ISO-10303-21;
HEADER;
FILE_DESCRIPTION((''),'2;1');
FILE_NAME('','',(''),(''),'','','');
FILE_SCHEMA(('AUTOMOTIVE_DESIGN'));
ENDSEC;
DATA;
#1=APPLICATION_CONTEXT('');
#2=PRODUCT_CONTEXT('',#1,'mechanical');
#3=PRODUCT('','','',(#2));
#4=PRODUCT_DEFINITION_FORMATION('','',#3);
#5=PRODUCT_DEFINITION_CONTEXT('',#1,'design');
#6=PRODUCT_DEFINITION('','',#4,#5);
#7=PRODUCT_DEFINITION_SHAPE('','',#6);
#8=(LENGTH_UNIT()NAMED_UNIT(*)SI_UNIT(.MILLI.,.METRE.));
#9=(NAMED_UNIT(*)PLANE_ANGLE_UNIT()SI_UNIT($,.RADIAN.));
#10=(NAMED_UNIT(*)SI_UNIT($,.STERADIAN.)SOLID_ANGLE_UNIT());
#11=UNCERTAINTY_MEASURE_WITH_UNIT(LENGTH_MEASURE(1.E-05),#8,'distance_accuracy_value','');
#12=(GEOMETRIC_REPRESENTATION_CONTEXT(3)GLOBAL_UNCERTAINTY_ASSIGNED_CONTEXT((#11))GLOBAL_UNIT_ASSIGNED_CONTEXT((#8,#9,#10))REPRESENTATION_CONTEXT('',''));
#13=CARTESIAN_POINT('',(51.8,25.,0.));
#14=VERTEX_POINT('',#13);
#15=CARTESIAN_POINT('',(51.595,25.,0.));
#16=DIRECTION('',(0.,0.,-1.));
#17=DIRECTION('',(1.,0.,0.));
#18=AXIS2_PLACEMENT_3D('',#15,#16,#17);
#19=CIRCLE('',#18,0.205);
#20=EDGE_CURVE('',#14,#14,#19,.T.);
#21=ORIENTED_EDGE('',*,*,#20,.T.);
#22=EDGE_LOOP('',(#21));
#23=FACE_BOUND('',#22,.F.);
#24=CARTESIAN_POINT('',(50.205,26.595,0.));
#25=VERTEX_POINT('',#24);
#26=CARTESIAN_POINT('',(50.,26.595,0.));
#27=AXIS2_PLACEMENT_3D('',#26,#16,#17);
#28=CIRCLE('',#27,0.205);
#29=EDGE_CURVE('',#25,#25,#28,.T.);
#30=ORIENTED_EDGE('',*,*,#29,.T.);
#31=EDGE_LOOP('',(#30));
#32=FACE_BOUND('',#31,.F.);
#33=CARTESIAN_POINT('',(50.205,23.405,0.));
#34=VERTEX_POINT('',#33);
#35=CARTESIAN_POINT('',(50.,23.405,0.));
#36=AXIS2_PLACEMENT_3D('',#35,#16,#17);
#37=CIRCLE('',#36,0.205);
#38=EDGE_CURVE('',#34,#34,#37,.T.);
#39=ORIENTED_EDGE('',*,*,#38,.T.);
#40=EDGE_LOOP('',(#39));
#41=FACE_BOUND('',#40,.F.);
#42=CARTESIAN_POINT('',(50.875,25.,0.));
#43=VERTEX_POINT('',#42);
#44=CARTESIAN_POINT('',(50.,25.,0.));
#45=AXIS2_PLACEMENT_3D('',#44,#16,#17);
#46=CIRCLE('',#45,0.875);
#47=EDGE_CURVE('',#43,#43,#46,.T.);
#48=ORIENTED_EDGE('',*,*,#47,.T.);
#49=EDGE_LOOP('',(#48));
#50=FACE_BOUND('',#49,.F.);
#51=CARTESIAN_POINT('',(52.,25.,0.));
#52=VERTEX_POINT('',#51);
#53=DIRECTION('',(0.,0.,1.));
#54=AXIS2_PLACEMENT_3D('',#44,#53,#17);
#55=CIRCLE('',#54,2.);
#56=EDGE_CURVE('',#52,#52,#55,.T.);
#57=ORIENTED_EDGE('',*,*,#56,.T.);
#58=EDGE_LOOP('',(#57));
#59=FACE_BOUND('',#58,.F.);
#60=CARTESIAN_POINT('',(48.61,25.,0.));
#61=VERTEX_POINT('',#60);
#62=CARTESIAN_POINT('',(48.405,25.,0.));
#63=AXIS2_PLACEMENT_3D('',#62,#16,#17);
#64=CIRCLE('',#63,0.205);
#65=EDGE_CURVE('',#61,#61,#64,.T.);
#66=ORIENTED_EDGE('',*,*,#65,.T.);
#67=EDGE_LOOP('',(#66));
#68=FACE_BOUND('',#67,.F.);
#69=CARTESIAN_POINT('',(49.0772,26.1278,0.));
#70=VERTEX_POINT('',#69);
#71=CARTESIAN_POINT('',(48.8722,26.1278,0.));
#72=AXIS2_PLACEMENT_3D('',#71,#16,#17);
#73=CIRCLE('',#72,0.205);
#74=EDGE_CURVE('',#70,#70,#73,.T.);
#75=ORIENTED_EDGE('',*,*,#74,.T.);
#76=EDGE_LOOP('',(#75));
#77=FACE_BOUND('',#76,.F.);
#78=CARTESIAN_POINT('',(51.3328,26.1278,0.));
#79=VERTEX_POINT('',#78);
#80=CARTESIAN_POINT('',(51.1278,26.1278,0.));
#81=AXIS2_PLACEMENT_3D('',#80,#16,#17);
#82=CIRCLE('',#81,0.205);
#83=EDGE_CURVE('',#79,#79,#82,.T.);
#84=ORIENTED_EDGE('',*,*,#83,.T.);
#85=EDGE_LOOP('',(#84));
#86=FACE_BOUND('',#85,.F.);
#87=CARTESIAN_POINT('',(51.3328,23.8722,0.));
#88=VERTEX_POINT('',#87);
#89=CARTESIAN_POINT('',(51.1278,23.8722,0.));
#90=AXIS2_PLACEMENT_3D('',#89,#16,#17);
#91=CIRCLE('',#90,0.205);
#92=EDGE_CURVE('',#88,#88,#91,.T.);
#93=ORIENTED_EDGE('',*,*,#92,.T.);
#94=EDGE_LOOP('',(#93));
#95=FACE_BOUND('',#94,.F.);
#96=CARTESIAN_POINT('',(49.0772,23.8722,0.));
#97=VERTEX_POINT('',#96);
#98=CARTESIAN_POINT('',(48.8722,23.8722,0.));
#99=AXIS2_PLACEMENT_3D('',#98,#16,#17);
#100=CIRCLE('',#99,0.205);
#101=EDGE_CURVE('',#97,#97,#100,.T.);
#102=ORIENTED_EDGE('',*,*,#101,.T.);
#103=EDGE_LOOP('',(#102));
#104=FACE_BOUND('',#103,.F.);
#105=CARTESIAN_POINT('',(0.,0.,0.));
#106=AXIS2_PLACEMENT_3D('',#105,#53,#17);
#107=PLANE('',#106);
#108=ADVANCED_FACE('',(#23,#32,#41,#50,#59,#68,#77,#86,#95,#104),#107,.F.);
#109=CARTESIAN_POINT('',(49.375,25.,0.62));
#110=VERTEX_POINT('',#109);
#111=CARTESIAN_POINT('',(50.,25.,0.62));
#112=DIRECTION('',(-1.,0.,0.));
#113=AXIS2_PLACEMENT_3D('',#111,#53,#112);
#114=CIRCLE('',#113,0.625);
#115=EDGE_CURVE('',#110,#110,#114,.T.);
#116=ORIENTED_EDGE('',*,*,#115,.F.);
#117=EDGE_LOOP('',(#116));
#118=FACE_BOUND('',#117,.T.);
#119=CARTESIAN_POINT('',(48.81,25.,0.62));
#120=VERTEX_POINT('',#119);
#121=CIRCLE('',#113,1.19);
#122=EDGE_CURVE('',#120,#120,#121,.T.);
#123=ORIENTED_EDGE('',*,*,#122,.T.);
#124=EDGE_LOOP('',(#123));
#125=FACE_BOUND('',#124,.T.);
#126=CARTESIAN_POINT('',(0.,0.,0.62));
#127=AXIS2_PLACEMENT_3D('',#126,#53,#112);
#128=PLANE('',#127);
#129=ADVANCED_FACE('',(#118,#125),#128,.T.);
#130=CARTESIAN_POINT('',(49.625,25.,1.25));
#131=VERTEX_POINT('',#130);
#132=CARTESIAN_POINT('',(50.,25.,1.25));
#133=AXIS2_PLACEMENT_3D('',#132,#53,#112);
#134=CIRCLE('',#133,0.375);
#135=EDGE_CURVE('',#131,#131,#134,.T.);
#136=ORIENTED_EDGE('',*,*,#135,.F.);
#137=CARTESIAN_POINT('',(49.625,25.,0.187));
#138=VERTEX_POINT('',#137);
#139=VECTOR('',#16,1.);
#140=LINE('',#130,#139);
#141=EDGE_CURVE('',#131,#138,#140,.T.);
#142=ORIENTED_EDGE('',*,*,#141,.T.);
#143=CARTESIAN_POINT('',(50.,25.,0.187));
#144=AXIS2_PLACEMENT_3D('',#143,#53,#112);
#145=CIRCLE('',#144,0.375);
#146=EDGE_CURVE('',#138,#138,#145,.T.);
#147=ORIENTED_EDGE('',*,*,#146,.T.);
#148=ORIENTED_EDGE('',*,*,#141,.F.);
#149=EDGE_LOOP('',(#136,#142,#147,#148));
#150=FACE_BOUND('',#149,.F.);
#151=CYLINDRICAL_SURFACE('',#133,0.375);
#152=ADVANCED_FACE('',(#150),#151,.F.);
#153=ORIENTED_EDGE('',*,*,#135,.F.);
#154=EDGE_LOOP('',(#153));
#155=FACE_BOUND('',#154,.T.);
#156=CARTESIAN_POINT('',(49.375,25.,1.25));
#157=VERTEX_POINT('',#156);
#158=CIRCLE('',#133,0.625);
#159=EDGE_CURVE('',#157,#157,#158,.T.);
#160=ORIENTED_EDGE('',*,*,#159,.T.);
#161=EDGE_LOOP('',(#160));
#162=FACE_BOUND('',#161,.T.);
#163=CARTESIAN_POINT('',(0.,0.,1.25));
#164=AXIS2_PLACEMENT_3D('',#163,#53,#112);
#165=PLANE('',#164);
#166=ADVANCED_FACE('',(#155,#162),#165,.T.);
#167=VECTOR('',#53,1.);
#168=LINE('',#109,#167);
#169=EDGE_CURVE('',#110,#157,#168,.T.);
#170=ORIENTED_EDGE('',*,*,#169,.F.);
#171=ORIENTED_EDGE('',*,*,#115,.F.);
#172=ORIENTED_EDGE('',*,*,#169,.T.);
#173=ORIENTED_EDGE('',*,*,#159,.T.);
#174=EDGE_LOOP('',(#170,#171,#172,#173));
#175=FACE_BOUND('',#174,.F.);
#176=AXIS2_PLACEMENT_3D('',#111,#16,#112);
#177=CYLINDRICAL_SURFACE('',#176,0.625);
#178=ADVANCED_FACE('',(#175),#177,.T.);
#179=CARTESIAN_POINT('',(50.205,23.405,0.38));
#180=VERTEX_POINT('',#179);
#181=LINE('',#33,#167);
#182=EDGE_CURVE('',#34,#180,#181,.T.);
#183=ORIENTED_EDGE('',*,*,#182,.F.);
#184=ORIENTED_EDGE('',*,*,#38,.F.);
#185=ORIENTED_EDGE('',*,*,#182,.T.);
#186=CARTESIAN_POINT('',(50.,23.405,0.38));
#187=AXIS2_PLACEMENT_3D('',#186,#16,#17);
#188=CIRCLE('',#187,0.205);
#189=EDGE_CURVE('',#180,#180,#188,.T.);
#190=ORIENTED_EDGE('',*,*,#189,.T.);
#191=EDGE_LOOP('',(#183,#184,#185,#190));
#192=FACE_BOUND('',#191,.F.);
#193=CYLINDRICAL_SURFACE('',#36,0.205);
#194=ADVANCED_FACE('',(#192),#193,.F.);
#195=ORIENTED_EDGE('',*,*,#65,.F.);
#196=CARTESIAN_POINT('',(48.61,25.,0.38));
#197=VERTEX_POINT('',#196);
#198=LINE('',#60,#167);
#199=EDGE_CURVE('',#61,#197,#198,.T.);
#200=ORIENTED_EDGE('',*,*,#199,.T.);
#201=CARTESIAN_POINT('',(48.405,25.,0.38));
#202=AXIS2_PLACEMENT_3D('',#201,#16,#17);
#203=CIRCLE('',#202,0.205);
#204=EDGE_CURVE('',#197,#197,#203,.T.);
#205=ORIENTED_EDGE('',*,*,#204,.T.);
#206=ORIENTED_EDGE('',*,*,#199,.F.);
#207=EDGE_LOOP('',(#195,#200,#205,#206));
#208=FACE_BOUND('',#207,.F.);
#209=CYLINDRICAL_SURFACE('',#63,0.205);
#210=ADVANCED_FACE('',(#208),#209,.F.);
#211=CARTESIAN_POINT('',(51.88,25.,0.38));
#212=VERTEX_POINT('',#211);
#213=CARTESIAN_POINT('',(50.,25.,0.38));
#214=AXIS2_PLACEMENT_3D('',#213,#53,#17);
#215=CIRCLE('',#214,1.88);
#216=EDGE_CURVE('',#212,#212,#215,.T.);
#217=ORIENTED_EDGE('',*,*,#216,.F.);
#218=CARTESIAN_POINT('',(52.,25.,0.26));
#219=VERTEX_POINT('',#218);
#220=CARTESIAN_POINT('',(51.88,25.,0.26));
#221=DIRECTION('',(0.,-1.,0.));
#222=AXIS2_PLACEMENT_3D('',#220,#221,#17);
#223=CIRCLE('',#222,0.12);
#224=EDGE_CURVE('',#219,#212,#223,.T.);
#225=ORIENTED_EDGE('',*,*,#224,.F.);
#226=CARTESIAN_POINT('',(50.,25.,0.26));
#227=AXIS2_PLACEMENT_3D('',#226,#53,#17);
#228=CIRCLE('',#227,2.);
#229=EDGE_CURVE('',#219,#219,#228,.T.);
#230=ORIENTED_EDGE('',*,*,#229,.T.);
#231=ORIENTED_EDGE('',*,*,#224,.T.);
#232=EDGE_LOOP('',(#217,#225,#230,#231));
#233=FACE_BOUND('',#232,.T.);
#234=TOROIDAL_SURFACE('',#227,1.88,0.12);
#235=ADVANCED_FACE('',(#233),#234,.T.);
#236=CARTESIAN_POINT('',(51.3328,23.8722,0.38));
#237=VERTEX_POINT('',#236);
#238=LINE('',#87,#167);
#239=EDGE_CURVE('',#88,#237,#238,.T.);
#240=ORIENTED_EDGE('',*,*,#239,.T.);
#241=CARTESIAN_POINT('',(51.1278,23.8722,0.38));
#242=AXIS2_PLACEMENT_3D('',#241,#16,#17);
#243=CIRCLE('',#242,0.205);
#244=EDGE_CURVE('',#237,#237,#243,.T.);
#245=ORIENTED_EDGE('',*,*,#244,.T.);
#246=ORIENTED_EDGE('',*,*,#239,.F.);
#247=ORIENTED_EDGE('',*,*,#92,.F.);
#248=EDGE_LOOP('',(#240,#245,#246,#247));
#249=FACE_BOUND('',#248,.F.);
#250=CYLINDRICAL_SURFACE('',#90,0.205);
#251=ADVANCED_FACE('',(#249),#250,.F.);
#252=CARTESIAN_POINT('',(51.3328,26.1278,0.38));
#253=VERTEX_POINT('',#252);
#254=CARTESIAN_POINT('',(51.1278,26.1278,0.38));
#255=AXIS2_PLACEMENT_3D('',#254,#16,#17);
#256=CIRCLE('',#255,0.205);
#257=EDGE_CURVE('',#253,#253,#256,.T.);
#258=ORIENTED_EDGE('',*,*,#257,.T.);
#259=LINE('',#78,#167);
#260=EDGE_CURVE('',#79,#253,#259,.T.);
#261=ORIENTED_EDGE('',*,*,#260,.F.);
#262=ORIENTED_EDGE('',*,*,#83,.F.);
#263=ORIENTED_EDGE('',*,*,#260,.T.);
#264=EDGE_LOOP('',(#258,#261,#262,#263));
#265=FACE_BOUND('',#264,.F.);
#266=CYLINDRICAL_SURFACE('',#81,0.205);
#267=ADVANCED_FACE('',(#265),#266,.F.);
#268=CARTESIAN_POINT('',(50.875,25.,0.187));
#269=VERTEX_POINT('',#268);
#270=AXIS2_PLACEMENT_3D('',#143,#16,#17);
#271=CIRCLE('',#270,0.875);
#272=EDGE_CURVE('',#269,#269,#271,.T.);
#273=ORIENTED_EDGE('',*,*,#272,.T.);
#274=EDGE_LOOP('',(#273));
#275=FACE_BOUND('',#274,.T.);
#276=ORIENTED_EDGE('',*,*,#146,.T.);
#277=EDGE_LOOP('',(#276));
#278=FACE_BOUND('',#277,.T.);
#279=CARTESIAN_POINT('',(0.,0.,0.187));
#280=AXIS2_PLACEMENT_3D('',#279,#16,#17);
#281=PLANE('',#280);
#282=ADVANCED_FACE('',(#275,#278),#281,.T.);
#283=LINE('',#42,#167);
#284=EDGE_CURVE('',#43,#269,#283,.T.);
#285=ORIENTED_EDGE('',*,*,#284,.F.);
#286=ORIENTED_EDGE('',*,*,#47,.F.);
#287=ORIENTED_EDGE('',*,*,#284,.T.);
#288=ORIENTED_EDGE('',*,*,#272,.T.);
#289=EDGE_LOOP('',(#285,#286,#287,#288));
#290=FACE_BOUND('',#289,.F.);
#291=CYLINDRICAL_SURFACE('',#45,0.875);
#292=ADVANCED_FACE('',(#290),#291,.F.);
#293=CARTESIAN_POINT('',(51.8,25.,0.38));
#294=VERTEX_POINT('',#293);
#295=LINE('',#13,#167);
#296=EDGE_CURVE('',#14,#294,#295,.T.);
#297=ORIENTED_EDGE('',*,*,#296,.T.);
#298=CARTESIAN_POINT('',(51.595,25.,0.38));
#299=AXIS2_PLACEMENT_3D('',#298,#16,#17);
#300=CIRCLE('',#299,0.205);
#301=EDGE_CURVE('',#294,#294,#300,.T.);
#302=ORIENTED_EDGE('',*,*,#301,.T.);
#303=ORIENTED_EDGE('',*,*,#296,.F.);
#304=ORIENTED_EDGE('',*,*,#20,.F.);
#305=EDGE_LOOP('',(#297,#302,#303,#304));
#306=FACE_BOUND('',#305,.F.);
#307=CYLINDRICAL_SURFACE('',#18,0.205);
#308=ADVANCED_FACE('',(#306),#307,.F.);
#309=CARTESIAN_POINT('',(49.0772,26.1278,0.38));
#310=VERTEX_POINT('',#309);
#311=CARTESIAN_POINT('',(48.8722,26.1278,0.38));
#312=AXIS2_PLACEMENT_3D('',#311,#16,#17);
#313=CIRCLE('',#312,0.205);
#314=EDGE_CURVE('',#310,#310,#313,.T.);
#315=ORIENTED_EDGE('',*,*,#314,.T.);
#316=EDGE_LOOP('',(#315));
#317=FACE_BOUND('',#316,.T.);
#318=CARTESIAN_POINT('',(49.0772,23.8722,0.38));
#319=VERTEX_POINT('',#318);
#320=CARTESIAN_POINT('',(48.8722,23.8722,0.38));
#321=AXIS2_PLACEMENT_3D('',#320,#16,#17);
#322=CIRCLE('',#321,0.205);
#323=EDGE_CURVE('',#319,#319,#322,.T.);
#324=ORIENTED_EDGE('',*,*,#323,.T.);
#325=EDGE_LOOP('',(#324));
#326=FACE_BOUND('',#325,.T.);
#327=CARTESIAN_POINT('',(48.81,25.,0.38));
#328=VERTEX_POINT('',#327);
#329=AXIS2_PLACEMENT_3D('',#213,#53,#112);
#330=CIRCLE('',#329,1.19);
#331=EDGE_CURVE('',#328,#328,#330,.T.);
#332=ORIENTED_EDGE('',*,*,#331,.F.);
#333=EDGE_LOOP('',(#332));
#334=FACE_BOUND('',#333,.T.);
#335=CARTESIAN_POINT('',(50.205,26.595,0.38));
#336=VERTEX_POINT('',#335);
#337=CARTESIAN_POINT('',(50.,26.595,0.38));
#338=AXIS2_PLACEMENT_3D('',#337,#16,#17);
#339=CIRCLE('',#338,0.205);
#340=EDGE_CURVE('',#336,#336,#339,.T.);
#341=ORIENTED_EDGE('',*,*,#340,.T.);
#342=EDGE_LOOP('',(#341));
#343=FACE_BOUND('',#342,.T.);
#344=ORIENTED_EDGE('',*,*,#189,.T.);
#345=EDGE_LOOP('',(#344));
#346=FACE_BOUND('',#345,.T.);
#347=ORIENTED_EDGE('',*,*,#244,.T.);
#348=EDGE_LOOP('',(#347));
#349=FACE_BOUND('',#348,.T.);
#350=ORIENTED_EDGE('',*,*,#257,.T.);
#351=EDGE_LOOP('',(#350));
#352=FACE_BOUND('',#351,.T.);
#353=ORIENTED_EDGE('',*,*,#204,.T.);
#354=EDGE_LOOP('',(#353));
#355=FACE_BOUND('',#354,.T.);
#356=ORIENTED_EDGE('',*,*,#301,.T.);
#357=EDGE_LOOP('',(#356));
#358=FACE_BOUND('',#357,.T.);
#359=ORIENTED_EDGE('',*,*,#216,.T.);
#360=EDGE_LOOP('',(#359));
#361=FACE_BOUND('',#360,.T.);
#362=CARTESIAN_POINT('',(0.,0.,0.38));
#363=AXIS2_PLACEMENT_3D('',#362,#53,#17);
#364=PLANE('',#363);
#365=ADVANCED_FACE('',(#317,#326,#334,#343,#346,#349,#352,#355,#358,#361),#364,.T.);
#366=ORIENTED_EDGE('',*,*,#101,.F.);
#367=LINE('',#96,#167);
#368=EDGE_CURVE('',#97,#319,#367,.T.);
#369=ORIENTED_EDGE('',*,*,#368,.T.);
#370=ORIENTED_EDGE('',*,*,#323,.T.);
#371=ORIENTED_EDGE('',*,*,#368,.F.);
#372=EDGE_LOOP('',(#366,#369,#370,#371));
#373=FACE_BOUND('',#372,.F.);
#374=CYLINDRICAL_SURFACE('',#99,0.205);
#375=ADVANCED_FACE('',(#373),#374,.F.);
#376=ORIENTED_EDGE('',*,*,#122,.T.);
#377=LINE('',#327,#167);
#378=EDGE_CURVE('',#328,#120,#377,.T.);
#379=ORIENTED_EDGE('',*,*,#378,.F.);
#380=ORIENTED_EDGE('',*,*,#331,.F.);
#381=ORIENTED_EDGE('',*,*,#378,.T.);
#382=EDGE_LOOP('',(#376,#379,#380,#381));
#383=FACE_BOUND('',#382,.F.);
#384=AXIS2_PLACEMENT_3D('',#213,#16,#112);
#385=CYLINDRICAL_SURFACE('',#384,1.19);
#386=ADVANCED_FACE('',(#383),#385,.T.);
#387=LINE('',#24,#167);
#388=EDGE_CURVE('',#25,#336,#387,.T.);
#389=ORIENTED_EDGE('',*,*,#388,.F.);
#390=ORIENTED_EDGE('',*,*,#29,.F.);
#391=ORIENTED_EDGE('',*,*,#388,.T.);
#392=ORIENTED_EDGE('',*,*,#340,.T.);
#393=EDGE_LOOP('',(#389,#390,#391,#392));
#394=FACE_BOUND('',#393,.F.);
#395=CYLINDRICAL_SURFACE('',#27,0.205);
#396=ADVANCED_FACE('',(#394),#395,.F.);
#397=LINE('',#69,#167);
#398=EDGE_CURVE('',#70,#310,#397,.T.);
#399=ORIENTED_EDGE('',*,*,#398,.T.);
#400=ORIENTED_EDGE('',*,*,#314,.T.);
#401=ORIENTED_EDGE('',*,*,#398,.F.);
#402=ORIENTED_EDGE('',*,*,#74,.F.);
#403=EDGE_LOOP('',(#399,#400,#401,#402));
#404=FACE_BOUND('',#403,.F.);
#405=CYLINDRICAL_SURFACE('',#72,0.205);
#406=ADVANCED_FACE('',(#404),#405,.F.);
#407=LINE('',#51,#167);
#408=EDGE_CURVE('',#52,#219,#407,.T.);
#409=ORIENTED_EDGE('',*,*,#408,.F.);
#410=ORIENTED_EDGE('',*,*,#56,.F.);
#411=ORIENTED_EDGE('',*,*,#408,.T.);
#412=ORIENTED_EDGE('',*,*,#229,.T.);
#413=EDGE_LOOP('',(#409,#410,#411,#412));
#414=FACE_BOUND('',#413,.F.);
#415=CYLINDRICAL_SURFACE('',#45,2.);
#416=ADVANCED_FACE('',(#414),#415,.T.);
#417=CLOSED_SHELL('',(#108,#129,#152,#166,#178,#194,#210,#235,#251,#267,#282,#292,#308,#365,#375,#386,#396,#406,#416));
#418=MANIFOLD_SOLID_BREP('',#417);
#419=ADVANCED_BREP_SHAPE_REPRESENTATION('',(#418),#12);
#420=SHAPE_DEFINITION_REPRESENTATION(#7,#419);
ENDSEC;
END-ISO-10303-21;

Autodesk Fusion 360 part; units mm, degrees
sketch "Sketch1" plane through (0, 0, 0) normal (0, 0, 1) x (1, 0, 0)
  circle A0 centre (50, 25) radius 2
extrude "Extrude1" add sketch "Sketch1" along normal blind 0.38
fillet "Fillet1" radius 0.12 1 edges at (48.1353, 24.2768, 0.38)
sketch "Sketch2" plane through (0, 0, 0.38) normal (0, 0, 1) x (-1, 0, 0)
  circle A0 centre (-50, -25) radius 1.88
  circle A1 centre (-50, -25) radius 1.19
  dimension "d4" = 2.38
extrude "Extrude2" add sketch "Sketch2" along normal blind 0.24 contours A1
sketch "Sketch3" plane through (0, 0, 0.62) normal (0, 0, 1) x (-1, 0, 0)
  circle A0 centre (-50, -25) radius 1.19
  circle A1 centre (-50, -25) radius 0.375
  dimension "d7" = 0.75
extrude "Extrude3" add sketch "Sketch3" along normal blind 0.63 contours A1
sketch "Sketch4" plane through (0, 0, 0) normal (0, 0, -1) x (1, 0, 0)
  circle A0 centre (50, -25) radius 2
  circle A1 centre (50, -25) radius 0.875
  dimension "d10" = 1.75
extrude "Extrude4" cut sketch "Sketch4" against normal blind 0.187 contours A1
sketch "Sketch5" plane through (0, 0, 0.62) normal (0, 0, 1) x (-1, 0, 0)
  circle A0 centre (-50, -25) radius 0.375
  circle A1 centre (-50, -25) radius 1.19
  circle A2 centre (-50, -25) radius 0.625
  dimension "d13" = 1.25
extrude "Extrude5" add sketch "Sketch5" along normal blind 0.63 contours A2
sketch "Sketch6" plane through (0, 0, 1.25) normal (0, 0, 1) x (-1, 0, 0)
  circle A0 centre (-50, -25) radius 0.625
  circle A1 centre (-50, -25) radius 0.375
  dimension "d16" = 0.75
extrude "Extrude6" cut sketch "Sketch6" against normal blind 1.063 contours A1
sketch "Sketch7" plane through (0, 0, 0) normal (0, 0, -1) x (1, 0, 0)
  circle A0 centre (50, -25) radius 0.875
  circle A1 centre (50, -25) radius 2
  line L0 (50, -25) -> (51.39, -25)
  circle A2 centre (51.595, -25) radius 0.205
  arc A3 (51.5818, -24.7954) -> (51.5818, -25.2046) centre (50, -25) ccw
  dimension "d19" = 3.19
  dimension "d20" = 1.595
  dimension "d21" = 0.41
extrude "Extrude7" cut sketch "Sketch7" against normal blind 0.38 contours A2
sketch "Sketch8" plane through (0, 0, 0) normal (0, 0, -1) x (1, 0, 0)
  circle A0 centre (51.595, -25) radius 0.205
  circle A1 centre (50, -25) radius 0.875
  circle A2 centre (50, -25) radius 2
  circle A3 centre (51.1278, -23.8722) radius 0.205
  dimension "d24" = 1.595
  dimension "d25" = 0.41
extrude "Extrude8" cut sketch "Sketch8" against normal blind 0.38 contours A3
sketch "Sketch9" plane through (0, 0, 0) normal (0, 0, -1) x (1, 0, 0)
  circle A0 centre (51.1278, -23.8722) radius 0.205
  circle A1 centre (51.595, -25) radius 0.205
  circle A2 centre (50, -25) radius 0.875
  circle A3 centre (50, -25) radius 2
  circle A4 centre (50, -23.405) radius 0.205
  dimension "d28" = 1.595
  dimension "d29" = 0.41
extrude "Extrude9" cut sketch "Sketch9" against normal blind 0.38 contours A4
sketch "Sketch10" plane through (0, 0, 0) normal (0, 0, -1) x (1, 0, 0)
  circle A0 centre (50, -23.405) radius 0.205
  circle A1 centre (51.1278, -23.8722) radius 0.205
  circle A2 centre (51.595, -25) radius 0.205
  circle A3 centre (50, -25) radius 0.875
  circle A4 centre (50, -25) radius 2
  line L0 (50, -25) -> (51.595, -25) construction
  circle A5 centre (48.8722, -23.8722) radius 0.205
  dimension "d33" = 1.595
  dimension "d34" = 0.41
extrude "Extrude10" cut sketch "Sketch10" against normal blind 0.38 contours A5
sketch "Sketch11" plane through (0, 0, 0) normal (0, 0, -1) x (1, 0, 0)
  circle A0 centre (48.8722, -23.8722) radius 0.205
  circle A1 centre (50, -23.405) radius 0.205
  circle A2 centre (51.1278, -23.8722) radius 0.205
  circle A3 centre (51.595, -25) radius 0.205
  circle A4 centre (50, -25) radius 0.875
  circle A5 centre (50, -25) radius 2
  circle A6 centre (48.405, -25) radius 0.205
  dimension "d37" = 1.595
  dimension "d38" = 0.41
extrude "Extrude11" cut sketch "Sketch11" against normal blind 0.38 contours A6
sketch "Sketch12" plane through (0, 0, 0) normal (0, 0, -1) x (1, 0, 0)
  circle A0 centre (48.405, -25) radius 0.205
  circle A1 centre (48.8722, -23.8722) radius 0.205
  circle A2 centre (50, -23.405) radius 0.205
  circle A3 centre (51.1278, -23.8722) radius 0.205
  circle A4 centre (51.595, -25) radius 0.205
  circle A5 centre (50, -25) radius 0.875
  circle A6 centre (50, -25) radius 2
  circle A7 centre (51.1278, -26.1278) radius 0.205
  dimension "d41" = 1.595
  dimension "d42" = 0.41
extrude "Extrude12" cut sketch "Sketch12" against normal blind 0.38 contours A7
sketch "Sketch13" plane through (0, 0, 0) normal (0, 0, -1) x (1, 0, 0)
  circle A0 centre (51.1278, -26.1278) radius 0.205
  circle A1 centre (48.405, -25) radius 0.205
  circle A2 centre (48.8722, -23.8722) radius 0.205
  circle A3 centre (50, -23.405) radius 0.205
  circle A4 centre (51.1278, -23.8722) radius 0.205
  circle A5 centre (51.595, -25) radius 0.205
  circle A6 centre (50, -25) radius 0.875
  circle A7 centre (50, -25) radius 2
  circle A8 centre (50, -26.595) radius 0.205
  dimension "d45" = 1.595
  dimension "d46" = 0.41
extrude "Extrude13" cut sketch "Sketch13" against normal blind 0.38 contours A8
sketch "Sketch14" plane through (0, 0, 0) normal (0, 0, -1) x (1, 0, 0)
  circle A0 centre (50, -26.595) radius 0.205
  circle A1 centre (51.1278, -26.1278) radius 0.205
  circle A2 centre (48.405, -25) radius 0.205
  circle A3 centre (48.8722, -23.8722) radius 0.205
  circle A4 centre (50, -23.405) radius 0.205
  circle A5 centre (51.1278, -23.8722) radius 0.205
  circle A6 centre (51.595, -25) radius 0.205
  circle A7 centre (50, -25) radius 0.875
  circle A8 centre (50, -25) radius 2
  line L0 (50, -25) -> (51.595, -25) construction
  circle A9 centre (48.8722, -26.1278) radius 0.205
  dimension "d50" = 1.595
  dimension "d51" = 0.41
extrude "Extrude14" cut sketch "Sketch14" against normal blind 0.38 contours A9
